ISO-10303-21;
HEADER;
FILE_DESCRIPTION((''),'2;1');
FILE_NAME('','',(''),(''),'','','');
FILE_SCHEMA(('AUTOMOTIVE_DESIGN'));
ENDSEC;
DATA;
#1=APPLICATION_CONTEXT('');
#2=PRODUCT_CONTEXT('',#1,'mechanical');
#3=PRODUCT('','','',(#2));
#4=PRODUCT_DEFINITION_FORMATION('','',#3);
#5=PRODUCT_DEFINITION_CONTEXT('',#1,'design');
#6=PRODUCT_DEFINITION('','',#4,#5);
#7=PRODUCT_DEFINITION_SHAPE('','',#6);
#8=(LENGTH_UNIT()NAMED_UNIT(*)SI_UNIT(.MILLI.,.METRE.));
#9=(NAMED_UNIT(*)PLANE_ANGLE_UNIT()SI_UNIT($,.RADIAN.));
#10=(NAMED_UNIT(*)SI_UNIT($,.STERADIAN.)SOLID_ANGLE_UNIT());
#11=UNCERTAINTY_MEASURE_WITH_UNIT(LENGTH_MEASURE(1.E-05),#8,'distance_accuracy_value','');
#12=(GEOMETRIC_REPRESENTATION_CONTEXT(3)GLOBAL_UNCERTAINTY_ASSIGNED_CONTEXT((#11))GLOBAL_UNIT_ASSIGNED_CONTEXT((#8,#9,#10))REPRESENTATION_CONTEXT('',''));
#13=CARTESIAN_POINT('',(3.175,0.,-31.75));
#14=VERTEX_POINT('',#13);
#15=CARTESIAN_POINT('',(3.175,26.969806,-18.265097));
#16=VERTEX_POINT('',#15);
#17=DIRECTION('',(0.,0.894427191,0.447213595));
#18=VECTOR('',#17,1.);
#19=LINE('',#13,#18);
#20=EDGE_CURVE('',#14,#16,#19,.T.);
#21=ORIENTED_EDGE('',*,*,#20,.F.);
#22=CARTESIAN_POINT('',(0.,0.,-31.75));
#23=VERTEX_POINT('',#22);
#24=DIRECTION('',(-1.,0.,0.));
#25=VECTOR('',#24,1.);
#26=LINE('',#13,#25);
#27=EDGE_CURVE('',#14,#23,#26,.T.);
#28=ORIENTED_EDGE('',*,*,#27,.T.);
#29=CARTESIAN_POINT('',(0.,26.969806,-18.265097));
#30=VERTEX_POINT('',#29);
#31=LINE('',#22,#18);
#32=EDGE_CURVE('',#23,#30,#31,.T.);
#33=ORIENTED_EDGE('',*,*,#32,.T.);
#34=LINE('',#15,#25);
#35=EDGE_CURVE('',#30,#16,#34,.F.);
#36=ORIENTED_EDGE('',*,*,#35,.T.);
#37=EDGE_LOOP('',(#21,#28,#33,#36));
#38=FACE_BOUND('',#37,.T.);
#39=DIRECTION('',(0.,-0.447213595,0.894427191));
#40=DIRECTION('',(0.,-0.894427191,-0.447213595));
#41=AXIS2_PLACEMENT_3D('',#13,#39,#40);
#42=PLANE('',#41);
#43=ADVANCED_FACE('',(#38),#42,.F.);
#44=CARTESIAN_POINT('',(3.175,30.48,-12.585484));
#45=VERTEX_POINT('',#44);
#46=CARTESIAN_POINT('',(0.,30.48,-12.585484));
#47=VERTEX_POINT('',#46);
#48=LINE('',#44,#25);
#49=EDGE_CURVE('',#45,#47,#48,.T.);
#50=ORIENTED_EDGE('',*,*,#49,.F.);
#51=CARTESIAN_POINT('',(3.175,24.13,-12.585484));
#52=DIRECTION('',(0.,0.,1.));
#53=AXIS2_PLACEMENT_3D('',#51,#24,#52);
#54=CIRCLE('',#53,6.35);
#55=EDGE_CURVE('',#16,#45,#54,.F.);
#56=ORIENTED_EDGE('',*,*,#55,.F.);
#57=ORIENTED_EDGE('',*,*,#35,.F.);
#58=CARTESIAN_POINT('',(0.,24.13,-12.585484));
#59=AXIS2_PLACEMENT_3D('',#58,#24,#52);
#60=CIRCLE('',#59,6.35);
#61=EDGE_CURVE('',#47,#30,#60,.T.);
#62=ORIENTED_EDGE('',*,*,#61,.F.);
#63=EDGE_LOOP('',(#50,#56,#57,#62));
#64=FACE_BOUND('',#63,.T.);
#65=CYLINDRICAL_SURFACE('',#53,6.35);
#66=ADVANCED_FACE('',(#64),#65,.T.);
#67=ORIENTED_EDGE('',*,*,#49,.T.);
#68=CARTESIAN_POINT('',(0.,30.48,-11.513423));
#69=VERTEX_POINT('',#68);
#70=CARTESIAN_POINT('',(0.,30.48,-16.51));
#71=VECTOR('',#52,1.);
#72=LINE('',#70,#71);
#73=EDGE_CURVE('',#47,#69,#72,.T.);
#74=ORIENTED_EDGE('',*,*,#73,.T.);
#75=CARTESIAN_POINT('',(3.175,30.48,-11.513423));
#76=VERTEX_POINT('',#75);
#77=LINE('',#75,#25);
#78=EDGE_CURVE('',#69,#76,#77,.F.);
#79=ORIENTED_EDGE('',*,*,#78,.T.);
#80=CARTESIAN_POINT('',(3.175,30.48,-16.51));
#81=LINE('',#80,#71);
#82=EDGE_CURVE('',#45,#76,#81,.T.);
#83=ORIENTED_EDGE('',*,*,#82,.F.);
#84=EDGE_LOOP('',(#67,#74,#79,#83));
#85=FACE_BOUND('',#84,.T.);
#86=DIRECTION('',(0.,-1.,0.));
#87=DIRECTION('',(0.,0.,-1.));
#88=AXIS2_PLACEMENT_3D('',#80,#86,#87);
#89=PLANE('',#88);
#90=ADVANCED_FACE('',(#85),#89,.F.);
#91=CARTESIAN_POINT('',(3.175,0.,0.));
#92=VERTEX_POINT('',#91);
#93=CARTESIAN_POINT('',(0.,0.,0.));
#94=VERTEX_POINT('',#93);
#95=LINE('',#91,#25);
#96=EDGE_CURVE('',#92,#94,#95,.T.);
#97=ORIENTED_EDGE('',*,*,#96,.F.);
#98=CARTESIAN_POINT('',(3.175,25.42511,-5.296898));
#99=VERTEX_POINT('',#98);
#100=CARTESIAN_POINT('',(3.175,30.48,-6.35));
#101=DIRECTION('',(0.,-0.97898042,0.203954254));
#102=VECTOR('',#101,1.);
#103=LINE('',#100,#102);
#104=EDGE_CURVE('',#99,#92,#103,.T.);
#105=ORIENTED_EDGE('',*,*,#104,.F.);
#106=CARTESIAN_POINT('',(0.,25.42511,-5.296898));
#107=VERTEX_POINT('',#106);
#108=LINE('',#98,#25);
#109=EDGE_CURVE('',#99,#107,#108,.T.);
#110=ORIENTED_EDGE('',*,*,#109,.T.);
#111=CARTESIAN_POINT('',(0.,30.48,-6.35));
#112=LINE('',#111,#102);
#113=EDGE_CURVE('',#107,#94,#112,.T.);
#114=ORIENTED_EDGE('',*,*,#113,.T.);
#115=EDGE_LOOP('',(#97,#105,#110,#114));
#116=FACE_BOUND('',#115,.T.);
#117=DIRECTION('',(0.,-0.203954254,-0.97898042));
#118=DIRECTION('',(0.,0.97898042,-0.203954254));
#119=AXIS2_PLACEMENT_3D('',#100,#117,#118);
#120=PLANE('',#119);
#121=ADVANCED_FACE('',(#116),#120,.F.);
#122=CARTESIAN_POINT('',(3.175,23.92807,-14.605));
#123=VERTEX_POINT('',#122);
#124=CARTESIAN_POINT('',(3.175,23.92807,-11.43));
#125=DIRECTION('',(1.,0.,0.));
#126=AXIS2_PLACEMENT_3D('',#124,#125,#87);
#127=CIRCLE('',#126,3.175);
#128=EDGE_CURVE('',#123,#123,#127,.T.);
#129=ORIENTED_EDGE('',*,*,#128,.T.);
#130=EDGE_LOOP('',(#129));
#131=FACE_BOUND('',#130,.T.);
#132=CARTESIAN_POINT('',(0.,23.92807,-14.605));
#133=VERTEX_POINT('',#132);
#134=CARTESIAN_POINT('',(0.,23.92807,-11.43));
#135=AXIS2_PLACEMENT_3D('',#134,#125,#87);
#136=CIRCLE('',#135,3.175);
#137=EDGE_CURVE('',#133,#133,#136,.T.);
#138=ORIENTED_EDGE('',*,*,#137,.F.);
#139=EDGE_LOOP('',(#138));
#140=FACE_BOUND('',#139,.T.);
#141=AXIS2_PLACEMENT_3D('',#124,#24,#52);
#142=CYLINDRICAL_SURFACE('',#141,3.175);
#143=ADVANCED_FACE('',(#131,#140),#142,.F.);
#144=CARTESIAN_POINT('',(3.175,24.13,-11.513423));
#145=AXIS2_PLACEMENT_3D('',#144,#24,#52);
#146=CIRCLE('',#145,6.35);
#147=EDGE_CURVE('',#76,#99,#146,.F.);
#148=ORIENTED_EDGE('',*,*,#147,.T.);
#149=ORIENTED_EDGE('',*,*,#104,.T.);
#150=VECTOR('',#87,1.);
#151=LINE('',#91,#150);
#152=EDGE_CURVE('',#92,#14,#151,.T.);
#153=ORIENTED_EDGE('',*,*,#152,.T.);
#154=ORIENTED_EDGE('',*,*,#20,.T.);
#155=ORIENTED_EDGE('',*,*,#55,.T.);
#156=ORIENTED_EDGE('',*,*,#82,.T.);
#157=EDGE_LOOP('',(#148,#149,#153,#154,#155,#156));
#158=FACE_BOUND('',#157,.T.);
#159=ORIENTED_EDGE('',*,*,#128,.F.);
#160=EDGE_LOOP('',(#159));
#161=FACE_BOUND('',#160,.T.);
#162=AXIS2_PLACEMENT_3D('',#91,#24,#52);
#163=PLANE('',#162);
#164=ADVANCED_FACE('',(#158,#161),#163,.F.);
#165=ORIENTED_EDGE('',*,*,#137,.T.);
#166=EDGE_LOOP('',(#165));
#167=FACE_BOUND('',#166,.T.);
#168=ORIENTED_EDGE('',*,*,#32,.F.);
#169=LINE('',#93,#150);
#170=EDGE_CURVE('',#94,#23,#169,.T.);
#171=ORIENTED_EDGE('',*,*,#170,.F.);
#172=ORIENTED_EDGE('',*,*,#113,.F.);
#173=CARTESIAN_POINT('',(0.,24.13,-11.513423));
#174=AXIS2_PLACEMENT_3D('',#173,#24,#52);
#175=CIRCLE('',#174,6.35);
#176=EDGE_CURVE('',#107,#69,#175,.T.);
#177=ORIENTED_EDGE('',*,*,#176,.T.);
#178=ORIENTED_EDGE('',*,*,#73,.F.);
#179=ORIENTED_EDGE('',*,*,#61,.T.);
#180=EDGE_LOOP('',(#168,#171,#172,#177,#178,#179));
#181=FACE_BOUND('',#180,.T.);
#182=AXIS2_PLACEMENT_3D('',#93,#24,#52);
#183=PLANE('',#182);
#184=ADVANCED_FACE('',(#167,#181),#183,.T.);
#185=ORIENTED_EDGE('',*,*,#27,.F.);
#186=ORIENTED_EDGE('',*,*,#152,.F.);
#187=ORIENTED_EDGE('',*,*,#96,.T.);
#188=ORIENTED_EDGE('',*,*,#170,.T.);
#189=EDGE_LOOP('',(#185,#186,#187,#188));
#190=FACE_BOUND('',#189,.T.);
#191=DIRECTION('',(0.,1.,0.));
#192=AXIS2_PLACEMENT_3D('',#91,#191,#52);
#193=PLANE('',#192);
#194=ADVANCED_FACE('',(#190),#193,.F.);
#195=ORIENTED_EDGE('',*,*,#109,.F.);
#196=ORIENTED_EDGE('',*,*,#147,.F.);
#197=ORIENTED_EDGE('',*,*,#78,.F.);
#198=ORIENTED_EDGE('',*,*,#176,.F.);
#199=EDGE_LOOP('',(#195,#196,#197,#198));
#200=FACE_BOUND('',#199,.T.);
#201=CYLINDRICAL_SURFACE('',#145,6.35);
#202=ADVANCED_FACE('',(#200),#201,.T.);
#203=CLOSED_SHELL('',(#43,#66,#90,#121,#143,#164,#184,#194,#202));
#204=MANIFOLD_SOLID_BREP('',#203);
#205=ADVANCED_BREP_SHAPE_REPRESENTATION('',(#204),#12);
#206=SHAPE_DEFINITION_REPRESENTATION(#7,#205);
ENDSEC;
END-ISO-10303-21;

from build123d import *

# Parameters (mm, degrees)
SKETCH1_R           = 3.175
BOSS_EXTRUDE1_DEPTH = 3.175
FILLET2_R           = 6.35


with BuildPart() as part:
    # Sketch1 → Boss-Extrude1 (new body)
    with BuildSketch(Plane(origin=(0, 0, 0), x_dir=(0, 0, -1), z_dir=(1, 0, 0))):
        Polygon((31.75, 0), (16.51, 30.48), (6.35, 30.48), (0, 0), align=None)
        with Locations((11.43, 23.92807)):
            Circle(SKETCH1_R, mode=Mode.SUBTRACT)
    extrude(amount=BOSS_EXTRUDE1_DEPTH)

    # Fillet2
    fillet2_edges = [part.edges().sort_by_distance(p)[0] for p in [
        (1.5875, 30.48, -6.35),
        (1.5875, 30.48, -16.51),
    ]]
    fillet(fillet2_edges, radius=FILLET2_R)


solid = part.part
